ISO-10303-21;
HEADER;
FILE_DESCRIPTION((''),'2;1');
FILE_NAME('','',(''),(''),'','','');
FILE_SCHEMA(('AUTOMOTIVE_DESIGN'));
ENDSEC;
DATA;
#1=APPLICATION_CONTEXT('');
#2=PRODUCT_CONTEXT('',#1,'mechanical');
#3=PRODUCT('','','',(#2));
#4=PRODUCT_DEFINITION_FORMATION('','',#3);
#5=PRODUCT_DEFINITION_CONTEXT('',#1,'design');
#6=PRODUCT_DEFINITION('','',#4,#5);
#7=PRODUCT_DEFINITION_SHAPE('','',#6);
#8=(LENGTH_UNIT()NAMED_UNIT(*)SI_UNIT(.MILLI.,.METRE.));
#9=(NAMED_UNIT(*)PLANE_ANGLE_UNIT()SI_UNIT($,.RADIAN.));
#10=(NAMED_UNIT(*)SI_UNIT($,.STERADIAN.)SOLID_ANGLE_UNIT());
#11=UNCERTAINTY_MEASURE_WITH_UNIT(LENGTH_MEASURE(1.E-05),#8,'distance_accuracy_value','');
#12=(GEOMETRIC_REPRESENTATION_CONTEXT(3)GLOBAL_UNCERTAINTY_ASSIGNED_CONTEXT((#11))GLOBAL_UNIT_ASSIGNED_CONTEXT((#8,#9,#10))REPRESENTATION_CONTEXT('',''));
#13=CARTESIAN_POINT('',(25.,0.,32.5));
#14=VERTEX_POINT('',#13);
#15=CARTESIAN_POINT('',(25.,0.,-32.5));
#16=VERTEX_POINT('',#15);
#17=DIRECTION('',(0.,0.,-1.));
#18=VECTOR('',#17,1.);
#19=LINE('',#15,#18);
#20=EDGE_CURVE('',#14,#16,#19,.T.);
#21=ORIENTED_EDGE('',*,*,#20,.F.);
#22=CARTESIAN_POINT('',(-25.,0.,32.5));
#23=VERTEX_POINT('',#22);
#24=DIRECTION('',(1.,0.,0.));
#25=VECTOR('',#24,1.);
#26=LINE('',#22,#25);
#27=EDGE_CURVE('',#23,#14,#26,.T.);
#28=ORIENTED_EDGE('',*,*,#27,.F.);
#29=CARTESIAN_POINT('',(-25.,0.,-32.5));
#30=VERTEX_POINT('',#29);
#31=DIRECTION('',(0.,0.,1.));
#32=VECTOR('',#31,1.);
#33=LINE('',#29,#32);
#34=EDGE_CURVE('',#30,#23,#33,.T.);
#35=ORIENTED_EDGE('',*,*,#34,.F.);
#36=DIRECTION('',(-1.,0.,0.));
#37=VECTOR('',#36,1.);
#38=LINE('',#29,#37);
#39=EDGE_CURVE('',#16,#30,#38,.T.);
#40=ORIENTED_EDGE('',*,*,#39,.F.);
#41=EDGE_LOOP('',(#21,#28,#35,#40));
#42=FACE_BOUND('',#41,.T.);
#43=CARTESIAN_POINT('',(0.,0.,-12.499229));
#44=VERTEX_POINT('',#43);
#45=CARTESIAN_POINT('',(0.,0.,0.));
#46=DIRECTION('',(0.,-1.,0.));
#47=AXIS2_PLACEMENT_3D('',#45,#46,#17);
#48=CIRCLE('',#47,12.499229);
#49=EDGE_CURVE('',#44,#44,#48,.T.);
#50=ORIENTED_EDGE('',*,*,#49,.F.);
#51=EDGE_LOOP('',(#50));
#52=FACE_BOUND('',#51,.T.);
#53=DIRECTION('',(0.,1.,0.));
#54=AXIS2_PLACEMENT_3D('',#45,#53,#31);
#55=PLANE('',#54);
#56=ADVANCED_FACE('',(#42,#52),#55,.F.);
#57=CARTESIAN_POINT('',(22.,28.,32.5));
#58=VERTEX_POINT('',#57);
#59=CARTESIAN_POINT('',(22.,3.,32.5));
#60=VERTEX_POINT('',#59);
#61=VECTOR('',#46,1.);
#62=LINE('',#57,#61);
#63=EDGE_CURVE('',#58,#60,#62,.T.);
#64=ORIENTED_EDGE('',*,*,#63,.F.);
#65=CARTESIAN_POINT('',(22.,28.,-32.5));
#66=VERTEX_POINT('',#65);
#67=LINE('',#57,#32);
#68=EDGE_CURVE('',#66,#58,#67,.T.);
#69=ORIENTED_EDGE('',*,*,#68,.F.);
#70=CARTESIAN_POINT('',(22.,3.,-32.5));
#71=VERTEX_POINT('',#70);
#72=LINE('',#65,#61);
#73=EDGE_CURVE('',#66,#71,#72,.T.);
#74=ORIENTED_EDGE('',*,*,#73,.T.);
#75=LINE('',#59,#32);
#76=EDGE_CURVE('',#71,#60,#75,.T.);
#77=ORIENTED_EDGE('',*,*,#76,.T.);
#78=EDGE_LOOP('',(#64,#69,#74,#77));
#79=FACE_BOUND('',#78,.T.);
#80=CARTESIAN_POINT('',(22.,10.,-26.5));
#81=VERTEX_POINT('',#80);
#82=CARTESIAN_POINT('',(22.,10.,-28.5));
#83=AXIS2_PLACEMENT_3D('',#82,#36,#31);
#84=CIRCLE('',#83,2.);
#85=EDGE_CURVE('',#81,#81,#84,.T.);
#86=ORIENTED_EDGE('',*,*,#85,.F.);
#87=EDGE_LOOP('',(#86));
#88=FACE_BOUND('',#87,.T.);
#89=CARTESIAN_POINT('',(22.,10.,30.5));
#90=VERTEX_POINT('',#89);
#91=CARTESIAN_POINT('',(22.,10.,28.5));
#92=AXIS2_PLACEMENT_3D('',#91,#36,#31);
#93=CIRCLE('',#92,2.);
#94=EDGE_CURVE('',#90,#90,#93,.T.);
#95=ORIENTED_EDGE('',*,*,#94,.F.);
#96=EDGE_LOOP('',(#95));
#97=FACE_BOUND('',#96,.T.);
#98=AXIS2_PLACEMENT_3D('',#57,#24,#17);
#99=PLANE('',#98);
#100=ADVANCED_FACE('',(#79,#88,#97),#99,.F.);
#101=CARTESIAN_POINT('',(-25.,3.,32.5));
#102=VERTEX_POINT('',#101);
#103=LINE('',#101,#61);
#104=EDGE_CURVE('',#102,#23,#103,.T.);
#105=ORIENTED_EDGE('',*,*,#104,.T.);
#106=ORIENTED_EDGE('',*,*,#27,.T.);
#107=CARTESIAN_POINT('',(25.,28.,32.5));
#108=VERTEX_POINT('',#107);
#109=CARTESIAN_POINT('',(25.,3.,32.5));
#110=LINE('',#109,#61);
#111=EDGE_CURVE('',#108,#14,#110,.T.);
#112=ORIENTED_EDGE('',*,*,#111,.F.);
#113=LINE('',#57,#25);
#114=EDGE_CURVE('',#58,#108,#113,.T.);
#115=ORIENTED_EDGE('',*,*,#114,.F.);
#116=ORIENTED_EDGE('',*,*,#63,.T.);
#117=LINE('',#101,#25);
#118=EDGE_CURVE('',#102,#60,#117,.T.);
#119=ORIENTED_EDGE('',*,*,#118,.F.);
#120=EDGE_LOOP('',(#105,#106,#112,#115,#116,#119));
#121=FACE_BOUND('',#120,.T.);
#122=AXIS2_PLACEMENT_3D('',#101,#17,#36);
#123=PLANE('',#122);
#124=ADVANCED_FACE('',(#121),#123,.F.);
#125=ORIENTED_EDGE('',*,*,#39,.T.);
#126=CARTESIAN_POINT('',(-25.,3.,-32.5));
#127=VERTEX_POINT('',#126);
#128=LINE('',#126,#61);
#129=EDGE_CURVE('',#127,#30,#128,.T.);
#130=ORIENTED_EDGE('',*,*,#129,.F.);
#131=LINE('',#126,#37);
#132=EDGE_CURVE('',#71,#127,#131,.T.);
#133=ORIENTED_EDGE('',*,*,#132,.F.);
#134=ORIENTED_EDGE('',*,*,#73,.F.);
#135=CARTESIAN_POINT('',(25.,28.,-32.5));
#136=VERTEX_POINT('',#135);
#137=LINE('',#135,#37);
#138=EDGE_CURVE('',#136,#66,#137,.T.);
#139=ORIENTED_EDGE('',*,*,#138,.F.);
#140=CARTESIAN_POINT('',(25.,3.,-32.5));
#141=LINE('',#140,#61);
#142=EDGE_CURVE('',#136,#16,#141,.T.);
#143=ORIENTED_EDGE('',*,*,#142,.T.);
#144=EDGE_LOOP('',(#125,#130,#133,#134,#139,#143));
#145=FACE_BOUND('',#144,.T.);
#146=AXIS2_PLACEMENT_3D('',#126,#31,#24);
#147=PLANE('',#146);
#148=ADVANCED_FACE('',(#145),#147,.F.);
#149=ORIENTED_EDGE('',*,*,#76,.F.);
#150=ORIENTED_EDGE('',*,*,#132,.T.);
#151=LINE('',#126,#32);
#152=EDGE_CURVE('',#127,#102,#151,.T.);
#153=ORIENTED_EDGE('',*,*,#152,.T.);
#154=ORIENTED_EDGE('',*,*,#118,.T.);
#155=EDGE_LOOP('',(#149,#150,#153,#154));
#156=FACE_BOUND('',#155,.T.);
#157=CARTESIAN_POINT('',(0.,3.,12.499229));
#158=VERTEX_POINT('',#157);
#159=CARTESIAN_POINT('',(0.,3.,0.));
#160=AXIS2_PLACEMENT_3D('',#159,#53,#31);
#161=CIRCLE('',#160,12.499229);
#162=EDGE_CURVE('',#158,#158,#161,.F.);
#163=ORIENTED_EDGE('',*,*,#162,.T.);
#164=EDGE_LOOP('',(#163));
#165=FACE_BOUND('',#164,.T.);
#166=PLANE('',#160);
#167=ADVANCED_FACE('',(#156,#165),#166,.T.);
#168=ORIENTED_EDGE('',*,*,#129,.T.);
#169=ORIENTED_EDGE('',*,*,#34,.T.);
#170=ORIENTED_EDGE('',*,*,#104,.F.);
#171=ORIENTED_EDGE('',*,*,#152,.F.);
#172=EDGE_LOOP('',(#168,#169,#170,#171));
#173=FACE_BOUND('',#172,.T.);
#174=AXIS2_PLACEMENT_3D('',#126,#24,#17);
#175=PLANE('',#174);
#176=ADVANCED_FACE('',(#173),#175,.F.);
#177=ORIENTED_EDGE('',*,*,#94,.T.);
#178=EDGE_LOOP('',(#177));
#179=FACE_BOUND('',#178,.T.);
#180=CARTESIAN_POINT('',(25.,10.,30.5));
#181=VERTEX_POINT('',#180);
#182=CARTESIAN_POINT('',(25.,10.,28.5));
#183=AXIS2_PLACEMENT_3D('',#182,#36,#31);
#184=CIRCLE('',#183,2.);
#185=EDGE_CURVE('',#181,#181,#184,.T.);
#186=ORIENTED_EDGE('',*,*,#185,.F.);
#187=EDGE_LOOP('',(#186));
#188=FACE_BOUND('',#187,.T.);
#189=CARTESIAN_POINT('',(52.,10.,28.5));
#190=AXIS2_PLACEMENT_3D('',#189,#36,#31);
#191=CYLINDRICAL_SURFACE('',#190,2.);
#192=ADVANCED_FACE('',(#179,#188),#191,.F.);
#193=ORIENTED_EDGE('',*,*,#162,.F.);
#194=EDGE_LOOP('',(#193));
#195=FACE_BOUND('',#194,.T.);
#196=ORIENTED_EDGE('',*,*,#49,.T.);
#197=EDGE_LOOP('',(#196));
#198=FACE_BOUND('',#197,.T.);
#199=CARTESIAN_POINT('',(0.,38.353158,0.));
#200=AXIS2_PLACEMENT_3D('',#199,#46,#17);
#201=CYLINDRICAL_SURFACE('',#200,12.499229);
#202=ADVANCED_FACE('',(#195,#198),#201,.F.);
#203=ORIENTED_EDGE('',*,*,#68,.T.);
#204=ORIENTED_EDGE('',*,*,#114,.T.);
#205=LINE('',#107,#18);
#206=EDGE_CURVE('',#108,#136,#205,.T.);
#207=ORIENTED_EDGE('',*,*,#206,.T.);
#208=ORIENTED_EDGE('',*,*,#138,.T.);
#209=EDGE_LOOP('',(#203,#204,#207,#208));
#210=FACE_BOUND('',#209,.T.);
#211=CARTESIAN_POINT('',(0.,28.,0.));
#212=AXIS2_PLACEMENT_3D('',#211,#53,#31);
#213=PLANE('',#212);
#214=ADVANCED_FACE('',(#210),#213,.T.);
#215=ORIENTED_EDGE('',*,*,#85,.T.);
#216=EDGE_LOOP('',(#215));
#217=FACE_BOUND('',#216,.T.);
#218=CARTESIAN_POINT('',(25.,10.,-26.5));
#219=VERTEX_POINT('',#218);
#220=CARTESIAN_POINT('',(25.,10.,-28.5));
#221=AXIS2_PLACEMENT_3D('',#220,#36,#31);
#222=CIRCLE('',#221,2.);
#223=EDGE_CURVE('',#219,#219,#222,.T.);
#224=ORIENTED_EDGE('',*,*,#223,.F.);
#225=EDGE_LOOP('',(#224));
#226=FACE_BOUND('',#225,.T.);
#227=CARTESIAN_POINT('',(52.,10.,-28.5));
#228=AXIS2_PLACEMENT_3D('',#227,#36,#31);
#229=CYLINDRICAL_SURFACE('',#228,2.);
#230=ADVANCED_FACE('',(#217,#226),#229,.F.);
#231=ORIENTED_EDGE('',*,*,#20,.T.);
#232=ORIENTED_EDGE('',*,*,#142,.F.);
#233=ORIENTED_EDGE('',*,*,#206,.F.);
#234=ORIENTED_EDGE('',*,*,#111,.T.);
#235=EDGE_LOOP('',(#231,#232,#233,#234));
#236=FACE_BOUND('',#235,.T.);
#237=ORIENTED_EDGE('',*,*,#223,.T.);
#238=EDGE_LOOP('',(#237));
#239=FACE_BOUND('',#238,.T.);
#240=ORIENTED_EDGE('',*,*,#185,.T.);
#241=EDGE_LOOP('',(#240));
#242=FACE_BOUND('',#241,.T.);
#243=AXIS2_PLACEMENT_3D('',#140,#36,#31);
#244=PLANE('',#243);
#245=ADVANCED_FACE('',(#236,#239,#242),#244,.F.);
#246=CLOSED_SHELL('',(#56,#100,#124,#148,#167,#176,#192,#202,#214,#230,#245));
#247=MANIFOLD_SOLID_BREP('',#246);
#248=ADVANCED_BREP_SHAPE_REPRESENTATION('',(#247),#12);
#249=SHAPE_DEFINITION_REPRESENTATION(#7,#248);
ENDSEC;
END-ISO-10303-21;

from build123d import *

# Parameters (mm, degrees)
SKETCH1_W           = 50
SKETCH1_H           = 65
BOSS_EXTRUDE1_DEPTH = 3
SKETCH2_W           = 3
SKETCH2_H           = 65
BOSS_EXTRUDE2_DEPTH = 25
SKETCH4_R           = 12.499228858
CUT_EXTRUDE1_DEPTH  = 3
SKETCH5_R           = 2
CUT_EXTRUDE2_DEPTH  = 30


with BuildPart() as part:
    # Sketch1 → Boss-Extrude1 (new body)
    with BuildSketch(Plane(origin=(0, 0, 0), x_dir=(1, 0, 0), z_dir=(0, 1, 0))):
        Rectangle(SKETCH1_W, SKETCH1_H)
    extrude(amount=BOSS_EXTRUDE1_DEPTH)

    # Sketch2 → Boss-Extrude2 (add)
    with BuildSketch(Plane(origin=(0, 3, 0), x_dir=(1, 0, 0), z_dir=(0, 1, 0))):
        with Locations((23.5, 0)):
            Rectangle(SKETCH2_W, SKETCH2_H)
    extrude(amount=BOSS_EXTRUDE2_DEPTH)

    # Sketch4 → Cut-Extrude1 (cut)
    with BuildSketch(Plane.XZ):
        with Locations(Location((0, 0, 0), (0, 0, 270))):
            Circle(SKETCH4_R)
    extrude(amount=-CUT_EXTRUDE1_DEPTH, mode=Mode.SUBTRACT)

    # Sketch5 → Cut-Extrude2 (cut)
    with BuildSketch(Plane.ZY.offset(-22)):
        with Locations((28.5, 10)):
            Circle(SKETCH5_R)
        with Locations((-28.5, 10)):
            Circle(SKETCH5_R)
    extrude(amount=-CUT_EXTRUDE2_DEPTH, mode=Mode.SUBTRACT)


solid = part.part
